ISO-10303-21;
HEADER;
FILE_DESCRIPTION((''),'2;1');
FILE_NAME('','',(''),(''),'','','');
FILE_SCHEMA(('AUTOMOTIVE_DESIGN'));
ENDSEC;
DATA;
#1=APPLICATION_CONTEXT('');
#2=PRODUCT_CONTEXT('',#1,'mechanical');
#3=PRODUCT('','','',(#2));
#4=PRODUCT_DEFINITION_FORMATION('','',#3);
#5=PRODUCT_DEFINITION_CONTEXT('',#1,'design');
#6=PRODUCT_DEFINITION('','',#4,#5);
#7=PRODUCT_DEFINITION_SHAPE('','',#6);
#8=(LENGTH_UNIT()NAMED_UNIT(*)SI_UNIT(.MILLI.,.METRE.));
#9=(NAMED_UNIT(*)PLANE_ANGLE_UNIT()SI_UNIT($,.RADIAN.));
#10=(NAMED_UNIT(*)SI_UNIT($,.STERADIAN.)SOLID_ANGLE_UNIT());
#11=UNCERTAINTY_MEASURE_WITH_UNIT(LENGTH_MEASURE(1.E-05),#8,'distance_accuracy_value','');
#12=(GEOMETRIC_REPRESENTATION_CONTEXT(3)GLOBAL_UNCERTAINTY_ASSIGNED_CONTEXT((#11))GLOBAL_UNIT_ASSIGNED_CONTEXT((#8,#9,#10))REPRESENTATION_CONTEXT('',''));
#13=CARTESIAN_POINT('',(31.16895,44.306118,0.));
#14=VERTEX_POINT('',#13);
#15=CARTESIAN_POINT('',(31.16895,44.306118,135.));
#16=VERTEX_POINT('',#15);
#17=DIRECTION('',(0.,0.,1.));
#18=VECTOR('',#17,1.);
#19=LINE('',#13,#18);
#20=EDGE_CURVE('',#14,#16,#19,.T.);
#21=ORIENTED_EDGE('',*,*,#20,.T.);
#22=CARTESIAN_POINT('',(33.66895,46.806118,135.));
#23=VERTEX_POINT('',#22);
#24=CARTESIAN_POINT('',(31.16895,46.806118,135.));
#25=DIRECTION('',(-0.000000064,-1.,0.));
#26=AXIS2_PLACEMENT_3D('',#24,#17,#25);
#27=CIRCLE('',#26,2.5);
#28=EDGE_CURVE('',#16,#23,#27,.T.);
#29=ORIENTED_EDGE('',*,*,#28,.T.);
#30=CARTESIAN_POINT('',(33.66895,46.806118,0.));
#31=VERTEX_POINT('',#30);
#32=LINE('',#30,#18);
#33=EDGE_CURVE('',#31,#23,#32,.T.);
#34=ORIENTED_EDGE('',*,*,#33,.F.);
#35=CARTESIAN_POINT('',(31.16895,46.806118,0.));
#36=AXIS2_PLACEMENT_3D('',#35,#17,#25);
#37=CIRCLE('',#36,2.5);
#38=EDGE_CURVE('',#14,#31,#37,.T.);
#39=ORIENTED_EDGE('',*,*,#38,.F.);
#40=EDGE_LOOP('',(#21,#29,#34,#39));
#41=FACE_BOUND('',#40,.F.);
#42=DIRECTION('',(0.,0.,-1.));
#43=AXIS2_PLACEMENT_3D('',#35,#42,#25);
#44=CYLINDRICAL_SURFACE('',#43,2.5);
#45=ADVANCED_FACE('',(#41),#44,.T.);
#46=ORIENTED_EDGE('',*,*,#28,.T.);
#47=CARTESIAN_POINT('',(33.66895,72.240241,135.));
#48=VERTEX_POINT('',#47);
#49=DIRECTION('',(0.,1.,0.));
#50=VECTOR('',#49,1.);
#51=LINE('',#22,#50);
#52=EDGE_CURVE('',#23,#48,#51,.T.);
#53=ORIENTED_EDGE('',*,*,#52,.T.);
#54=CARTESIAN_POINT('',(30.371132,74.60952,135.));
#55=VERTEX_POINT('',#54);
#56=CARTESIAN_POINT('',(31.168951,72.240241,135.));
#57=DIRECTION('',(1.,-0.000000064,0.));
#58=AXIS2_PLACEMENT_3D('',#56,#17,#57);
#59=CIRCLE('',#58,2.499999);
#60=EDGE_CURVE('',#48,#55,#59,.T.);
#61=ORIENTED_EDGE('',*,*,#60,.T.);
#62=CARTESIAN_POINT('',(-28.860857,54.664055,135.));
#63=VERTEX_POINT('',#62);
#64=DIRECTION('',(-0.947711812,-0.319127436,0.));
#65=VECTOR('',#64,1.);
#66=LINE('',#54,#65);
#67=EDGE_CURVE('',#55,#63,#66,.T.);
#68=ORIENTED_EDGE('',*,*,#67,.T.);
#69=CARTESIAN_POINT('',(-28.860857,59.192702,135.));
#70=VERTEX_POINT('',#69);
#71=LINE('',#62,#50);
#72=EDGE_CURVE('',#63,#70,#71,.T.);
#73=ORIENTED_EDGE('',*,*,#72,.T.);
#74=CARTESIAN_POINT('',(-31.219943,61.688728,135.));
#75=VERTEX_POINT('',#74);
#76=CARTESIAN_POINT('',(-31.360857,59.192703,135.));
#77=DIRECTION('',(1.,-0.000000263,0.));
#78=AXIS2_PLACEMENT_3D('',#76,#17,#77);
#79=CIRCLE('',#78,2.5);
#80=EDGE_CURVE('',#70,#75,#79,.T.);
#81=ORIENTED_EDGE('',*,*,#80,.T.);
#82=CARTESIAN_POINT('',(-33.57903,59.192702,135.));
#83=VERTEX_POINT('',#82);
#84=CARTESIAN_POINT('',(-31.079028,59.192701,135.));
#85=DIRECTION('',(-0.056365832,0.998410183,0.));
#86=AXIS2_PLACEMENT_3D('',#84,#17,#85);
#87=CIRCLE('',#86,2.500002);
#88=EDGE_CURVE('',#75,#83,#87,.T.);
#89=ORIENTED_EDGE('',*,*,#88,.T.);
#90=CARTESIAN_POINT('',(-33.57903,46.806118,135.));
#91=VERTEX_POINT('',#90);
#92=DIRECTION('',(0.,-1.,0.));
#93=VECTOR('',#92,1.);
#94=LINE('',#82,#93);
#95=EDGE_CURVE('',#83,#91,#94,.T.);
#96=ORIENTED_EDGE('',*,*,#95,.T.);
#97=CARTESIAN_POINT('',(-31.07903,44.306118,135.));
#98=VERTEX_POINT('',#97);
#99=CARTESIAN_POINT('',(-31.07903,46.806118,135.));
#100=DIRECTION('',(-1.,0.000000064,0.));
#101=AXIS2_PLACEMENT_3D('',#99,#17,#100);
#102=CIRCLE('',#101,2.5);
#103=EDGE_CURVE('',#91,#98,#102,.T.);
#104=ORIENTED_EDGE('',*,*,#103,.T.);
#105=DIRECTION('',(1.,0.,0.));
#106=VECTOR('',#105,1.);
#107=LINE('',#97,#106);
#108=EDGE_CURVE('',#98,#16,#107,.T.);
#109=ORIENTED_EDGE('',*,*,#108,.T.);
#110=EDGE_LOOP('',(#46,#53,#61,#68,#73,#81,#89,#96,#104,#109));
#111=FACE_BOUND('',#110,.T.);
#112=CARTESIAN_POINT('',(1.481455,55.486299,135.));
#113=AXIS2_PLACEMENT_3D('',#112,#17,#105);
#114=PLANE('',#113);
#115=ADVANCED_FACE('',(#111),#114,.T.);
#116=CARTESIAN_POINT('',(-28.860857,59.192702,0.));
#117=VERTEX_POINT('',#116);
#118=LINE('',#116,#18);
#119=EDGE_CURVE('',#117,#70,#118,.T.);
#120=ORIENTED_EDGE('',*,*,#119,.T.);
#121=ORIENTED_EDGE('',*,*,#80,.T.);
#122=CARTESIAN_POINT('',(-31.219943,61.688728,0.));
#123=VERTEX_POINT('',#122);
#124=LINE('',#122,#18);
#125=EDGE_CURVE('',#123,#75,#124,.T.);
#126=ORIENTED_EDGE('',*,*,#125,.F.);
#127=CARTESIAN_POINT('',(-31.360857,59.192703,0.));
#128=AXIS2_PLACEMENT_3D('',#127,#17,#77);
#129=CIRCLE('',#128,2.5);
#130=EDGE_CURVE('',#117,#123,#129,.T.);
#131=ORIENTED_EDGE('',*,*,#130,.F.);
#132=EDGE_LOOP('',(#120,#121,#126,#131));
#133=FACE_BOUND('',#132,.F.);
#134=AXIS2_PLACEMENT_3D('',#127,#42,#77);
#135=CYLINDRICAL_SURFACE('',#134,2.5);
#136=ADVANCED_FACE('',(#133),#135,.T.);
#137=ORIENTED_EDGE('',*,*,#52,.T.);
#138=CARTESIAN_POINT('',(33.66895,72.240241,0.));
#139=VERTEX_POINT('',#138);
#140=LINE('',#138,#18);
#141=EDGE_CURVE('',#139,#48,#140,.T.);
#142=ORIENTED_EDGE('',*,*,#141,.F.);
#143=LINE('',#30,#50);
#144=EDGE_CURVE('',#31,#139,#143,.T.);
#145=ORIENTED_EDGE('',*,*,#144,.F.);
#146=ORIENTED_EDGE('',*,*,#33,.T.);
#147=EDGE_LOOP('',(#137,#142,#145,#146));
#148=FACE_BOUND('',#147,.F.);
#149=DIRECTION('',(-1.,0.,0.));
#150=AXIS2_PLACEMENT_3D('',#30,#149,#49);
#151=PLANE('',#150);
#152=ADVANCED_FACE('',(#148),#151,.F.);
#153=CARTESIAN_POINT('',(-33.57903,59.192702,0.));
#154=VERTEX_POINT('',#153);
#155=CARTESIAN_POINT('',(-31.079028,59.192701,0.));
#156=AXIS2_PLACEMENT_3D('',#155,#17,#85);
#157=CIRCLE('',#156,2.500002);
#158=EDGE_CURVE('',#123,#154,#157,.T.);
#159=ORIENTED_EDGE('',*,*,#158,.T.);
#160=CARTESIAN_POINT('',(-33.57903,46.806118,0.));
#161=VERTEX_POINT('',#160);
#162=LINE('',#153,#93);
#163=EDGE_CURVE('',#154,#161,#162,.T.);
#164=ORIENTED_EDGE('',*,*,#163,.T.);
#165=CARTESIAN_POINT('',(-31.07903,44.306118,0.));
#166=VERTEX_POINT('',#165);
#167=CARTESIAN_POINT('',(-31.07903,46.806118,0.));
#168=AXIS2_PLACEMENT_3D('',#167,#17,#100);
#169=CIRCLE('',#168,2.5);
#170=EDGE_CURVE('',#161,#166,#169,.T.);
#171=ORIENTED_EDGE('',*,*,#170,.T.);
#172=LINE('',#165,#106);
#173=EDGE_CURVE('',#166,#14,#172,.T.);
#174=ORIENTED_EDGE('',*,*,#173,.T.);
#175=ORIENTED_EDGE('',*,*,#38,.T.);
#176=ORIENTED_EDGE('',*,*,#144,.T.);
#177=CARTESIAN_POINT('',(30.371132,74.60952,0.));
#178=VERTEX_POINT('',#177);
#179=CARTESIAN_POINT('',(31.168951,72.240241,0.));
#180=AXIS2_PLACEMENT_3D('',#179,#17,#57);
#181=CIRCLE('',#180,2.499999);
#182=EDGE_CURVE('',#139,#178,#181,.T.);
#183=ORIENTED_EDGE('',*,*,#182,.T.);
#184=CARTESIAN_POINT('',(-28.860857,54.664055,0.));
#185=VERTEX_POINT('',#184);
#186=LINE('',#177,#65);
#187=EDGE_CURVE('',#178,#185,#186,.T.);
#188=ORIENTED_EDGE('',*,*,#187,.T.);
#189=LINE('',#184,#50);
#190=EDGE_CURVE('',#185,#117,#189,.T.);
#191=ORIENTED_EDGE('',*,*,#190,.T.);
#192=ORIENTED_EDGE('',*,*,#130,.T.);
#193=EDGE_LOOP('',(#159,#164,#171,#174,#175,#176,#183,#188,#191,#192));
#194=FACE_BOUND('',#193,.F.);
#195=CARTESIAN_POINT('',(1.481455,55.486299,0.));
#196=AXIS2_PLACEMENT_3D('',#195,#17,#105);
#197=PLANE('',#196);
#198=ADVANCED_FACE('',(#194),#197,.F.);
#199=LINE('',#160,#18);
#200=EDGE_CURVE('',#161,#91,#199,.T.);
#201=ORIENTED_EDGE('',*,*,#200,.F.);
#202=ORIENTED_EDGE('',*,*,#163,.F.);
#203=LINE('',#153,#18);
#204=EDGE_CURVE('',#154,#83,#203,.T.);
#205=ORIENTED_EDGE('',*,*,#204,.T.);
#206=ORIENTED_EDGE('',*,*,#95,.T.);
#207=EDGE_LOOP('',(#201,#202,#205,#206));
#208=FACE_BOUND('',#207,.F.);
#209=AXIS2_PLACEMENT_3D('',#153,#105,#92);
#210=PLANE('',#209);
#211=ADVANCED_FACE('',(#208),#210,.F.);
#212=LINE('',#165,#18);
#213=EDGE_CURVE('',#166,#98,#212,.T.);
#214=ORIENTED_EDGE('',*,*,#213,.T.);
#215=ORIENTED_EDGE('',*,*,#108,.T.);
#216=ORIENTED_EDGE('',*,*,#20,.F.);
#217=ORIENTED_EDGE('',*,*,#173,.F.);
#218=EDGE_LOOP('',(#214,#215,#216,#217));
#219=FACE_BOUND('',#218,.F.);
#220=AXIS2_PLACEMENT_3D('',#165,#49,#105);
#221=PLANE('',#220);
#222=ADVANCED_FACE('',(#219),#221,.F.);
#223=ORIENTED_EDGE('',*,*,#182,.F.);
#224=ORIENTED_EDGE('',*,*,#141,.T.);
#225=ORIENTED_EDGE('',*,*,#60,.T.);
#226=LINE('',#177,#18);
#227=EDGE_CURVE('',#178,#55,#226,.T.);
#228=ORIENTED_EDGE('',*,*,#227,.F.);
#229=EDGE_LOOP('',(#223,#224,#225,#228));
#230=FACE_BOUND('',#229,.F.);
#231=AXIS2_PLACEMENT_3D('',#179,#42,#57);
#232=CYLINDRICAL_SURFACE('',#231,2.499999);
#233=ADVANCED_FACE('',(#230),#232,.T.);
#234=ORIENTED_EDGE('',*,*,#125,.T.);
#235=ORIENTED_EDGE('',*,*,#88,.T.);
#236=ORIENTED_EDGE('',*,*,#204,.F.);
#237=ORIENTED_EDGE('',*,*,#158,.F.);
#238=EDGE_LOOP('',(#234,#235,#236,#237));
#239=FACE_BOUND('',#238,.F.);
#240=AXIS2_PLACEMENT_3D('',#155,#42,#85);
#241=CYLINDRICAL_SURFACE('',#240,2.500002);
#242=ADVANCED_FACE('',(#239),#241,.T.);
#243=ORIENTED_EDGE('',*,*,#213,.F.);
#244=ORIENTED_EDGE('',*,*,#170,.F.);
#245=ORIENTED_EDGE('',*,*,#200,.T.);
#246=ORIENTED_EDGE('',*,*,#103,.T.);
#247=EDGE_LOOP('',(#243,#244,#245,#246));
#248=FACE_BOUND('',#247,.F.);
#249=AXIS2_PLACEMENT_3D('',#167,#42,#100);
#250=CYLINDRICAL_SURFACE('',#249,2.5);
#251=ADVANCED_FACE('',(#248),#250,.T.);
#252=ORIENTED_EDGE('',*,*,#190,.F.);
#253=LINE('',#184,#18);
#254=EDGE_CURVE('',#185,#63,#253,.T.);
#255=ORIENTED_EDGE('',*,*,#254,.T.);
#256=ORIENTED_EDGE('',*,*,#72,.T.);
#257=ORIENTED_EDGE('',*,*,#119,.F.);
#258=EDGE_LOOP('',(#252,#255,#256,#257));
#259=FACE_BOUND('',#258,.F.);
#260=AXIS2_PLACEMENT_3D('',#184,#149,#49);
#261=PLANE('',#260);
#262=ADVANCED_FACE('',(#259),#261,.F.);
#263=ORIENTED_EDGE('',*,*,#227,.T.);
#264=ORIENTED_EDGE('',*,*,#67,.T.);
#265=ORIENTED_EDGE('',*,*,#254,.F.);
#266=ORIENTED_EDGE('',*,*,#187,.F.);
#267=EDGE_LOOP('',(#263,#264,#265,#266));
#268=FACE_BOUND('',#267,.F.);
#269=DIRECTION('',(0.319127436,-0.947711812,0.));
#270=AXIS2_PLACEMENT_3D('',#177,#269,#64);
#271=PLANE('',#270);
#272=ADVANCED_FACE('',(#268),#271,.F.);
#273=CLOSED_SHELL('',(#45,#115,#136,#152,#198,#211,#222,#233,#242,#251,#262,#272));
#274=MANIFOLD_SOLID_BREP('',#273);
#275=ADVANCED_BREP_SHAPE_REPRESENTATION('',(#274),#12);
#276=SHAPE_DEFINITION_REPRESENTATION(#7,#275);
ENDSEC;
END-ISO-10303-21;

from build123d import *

# Parameters (mm, degrees)
F1_DEPTH = 135


with BuildPart() as f1:
    # F0 (on Top) → F1 (new body)
    with BuildSketch(Plane.XY):
        with BuildLine():
            Line((30.371132, 74.60952), (-28.860857, 54.664055))
            Line((-28.860857, 54.664055), (-28.860857, 59.192702))
            ThreePointArc((-28.860857, 59.192702), (-29.543952, 60.909926), (-31.219943, 61.688728))
            ThreePointArc((-31.219943, 61.688728), (-32.895934, 60.909926), (-33.57903, 59.192702))
            Line((-33.57903, 59.192702), (-33.57903, 46.806118))
            ThreePointArc((-33.57903, 46.806118), (-32.846797, 45.038351), (-31.07903, 44.306118))
            Line((-31.07903, 44.306118), (31.16895, 44.306118))
            ThreePointArc((31.16895, 44.306118), (32.936717, 45.038351), (33.66895, 46.806118))
            Line((33.66895, 46.806118), (33.66895, 72.240241))
            ThreePointArc((33.66895, 72.240241), (32.627623, 74.270579), (30.371132, 74.60952))
        make_face()
    extrude(amount=F1_DEPTH)


solid = f1.part
